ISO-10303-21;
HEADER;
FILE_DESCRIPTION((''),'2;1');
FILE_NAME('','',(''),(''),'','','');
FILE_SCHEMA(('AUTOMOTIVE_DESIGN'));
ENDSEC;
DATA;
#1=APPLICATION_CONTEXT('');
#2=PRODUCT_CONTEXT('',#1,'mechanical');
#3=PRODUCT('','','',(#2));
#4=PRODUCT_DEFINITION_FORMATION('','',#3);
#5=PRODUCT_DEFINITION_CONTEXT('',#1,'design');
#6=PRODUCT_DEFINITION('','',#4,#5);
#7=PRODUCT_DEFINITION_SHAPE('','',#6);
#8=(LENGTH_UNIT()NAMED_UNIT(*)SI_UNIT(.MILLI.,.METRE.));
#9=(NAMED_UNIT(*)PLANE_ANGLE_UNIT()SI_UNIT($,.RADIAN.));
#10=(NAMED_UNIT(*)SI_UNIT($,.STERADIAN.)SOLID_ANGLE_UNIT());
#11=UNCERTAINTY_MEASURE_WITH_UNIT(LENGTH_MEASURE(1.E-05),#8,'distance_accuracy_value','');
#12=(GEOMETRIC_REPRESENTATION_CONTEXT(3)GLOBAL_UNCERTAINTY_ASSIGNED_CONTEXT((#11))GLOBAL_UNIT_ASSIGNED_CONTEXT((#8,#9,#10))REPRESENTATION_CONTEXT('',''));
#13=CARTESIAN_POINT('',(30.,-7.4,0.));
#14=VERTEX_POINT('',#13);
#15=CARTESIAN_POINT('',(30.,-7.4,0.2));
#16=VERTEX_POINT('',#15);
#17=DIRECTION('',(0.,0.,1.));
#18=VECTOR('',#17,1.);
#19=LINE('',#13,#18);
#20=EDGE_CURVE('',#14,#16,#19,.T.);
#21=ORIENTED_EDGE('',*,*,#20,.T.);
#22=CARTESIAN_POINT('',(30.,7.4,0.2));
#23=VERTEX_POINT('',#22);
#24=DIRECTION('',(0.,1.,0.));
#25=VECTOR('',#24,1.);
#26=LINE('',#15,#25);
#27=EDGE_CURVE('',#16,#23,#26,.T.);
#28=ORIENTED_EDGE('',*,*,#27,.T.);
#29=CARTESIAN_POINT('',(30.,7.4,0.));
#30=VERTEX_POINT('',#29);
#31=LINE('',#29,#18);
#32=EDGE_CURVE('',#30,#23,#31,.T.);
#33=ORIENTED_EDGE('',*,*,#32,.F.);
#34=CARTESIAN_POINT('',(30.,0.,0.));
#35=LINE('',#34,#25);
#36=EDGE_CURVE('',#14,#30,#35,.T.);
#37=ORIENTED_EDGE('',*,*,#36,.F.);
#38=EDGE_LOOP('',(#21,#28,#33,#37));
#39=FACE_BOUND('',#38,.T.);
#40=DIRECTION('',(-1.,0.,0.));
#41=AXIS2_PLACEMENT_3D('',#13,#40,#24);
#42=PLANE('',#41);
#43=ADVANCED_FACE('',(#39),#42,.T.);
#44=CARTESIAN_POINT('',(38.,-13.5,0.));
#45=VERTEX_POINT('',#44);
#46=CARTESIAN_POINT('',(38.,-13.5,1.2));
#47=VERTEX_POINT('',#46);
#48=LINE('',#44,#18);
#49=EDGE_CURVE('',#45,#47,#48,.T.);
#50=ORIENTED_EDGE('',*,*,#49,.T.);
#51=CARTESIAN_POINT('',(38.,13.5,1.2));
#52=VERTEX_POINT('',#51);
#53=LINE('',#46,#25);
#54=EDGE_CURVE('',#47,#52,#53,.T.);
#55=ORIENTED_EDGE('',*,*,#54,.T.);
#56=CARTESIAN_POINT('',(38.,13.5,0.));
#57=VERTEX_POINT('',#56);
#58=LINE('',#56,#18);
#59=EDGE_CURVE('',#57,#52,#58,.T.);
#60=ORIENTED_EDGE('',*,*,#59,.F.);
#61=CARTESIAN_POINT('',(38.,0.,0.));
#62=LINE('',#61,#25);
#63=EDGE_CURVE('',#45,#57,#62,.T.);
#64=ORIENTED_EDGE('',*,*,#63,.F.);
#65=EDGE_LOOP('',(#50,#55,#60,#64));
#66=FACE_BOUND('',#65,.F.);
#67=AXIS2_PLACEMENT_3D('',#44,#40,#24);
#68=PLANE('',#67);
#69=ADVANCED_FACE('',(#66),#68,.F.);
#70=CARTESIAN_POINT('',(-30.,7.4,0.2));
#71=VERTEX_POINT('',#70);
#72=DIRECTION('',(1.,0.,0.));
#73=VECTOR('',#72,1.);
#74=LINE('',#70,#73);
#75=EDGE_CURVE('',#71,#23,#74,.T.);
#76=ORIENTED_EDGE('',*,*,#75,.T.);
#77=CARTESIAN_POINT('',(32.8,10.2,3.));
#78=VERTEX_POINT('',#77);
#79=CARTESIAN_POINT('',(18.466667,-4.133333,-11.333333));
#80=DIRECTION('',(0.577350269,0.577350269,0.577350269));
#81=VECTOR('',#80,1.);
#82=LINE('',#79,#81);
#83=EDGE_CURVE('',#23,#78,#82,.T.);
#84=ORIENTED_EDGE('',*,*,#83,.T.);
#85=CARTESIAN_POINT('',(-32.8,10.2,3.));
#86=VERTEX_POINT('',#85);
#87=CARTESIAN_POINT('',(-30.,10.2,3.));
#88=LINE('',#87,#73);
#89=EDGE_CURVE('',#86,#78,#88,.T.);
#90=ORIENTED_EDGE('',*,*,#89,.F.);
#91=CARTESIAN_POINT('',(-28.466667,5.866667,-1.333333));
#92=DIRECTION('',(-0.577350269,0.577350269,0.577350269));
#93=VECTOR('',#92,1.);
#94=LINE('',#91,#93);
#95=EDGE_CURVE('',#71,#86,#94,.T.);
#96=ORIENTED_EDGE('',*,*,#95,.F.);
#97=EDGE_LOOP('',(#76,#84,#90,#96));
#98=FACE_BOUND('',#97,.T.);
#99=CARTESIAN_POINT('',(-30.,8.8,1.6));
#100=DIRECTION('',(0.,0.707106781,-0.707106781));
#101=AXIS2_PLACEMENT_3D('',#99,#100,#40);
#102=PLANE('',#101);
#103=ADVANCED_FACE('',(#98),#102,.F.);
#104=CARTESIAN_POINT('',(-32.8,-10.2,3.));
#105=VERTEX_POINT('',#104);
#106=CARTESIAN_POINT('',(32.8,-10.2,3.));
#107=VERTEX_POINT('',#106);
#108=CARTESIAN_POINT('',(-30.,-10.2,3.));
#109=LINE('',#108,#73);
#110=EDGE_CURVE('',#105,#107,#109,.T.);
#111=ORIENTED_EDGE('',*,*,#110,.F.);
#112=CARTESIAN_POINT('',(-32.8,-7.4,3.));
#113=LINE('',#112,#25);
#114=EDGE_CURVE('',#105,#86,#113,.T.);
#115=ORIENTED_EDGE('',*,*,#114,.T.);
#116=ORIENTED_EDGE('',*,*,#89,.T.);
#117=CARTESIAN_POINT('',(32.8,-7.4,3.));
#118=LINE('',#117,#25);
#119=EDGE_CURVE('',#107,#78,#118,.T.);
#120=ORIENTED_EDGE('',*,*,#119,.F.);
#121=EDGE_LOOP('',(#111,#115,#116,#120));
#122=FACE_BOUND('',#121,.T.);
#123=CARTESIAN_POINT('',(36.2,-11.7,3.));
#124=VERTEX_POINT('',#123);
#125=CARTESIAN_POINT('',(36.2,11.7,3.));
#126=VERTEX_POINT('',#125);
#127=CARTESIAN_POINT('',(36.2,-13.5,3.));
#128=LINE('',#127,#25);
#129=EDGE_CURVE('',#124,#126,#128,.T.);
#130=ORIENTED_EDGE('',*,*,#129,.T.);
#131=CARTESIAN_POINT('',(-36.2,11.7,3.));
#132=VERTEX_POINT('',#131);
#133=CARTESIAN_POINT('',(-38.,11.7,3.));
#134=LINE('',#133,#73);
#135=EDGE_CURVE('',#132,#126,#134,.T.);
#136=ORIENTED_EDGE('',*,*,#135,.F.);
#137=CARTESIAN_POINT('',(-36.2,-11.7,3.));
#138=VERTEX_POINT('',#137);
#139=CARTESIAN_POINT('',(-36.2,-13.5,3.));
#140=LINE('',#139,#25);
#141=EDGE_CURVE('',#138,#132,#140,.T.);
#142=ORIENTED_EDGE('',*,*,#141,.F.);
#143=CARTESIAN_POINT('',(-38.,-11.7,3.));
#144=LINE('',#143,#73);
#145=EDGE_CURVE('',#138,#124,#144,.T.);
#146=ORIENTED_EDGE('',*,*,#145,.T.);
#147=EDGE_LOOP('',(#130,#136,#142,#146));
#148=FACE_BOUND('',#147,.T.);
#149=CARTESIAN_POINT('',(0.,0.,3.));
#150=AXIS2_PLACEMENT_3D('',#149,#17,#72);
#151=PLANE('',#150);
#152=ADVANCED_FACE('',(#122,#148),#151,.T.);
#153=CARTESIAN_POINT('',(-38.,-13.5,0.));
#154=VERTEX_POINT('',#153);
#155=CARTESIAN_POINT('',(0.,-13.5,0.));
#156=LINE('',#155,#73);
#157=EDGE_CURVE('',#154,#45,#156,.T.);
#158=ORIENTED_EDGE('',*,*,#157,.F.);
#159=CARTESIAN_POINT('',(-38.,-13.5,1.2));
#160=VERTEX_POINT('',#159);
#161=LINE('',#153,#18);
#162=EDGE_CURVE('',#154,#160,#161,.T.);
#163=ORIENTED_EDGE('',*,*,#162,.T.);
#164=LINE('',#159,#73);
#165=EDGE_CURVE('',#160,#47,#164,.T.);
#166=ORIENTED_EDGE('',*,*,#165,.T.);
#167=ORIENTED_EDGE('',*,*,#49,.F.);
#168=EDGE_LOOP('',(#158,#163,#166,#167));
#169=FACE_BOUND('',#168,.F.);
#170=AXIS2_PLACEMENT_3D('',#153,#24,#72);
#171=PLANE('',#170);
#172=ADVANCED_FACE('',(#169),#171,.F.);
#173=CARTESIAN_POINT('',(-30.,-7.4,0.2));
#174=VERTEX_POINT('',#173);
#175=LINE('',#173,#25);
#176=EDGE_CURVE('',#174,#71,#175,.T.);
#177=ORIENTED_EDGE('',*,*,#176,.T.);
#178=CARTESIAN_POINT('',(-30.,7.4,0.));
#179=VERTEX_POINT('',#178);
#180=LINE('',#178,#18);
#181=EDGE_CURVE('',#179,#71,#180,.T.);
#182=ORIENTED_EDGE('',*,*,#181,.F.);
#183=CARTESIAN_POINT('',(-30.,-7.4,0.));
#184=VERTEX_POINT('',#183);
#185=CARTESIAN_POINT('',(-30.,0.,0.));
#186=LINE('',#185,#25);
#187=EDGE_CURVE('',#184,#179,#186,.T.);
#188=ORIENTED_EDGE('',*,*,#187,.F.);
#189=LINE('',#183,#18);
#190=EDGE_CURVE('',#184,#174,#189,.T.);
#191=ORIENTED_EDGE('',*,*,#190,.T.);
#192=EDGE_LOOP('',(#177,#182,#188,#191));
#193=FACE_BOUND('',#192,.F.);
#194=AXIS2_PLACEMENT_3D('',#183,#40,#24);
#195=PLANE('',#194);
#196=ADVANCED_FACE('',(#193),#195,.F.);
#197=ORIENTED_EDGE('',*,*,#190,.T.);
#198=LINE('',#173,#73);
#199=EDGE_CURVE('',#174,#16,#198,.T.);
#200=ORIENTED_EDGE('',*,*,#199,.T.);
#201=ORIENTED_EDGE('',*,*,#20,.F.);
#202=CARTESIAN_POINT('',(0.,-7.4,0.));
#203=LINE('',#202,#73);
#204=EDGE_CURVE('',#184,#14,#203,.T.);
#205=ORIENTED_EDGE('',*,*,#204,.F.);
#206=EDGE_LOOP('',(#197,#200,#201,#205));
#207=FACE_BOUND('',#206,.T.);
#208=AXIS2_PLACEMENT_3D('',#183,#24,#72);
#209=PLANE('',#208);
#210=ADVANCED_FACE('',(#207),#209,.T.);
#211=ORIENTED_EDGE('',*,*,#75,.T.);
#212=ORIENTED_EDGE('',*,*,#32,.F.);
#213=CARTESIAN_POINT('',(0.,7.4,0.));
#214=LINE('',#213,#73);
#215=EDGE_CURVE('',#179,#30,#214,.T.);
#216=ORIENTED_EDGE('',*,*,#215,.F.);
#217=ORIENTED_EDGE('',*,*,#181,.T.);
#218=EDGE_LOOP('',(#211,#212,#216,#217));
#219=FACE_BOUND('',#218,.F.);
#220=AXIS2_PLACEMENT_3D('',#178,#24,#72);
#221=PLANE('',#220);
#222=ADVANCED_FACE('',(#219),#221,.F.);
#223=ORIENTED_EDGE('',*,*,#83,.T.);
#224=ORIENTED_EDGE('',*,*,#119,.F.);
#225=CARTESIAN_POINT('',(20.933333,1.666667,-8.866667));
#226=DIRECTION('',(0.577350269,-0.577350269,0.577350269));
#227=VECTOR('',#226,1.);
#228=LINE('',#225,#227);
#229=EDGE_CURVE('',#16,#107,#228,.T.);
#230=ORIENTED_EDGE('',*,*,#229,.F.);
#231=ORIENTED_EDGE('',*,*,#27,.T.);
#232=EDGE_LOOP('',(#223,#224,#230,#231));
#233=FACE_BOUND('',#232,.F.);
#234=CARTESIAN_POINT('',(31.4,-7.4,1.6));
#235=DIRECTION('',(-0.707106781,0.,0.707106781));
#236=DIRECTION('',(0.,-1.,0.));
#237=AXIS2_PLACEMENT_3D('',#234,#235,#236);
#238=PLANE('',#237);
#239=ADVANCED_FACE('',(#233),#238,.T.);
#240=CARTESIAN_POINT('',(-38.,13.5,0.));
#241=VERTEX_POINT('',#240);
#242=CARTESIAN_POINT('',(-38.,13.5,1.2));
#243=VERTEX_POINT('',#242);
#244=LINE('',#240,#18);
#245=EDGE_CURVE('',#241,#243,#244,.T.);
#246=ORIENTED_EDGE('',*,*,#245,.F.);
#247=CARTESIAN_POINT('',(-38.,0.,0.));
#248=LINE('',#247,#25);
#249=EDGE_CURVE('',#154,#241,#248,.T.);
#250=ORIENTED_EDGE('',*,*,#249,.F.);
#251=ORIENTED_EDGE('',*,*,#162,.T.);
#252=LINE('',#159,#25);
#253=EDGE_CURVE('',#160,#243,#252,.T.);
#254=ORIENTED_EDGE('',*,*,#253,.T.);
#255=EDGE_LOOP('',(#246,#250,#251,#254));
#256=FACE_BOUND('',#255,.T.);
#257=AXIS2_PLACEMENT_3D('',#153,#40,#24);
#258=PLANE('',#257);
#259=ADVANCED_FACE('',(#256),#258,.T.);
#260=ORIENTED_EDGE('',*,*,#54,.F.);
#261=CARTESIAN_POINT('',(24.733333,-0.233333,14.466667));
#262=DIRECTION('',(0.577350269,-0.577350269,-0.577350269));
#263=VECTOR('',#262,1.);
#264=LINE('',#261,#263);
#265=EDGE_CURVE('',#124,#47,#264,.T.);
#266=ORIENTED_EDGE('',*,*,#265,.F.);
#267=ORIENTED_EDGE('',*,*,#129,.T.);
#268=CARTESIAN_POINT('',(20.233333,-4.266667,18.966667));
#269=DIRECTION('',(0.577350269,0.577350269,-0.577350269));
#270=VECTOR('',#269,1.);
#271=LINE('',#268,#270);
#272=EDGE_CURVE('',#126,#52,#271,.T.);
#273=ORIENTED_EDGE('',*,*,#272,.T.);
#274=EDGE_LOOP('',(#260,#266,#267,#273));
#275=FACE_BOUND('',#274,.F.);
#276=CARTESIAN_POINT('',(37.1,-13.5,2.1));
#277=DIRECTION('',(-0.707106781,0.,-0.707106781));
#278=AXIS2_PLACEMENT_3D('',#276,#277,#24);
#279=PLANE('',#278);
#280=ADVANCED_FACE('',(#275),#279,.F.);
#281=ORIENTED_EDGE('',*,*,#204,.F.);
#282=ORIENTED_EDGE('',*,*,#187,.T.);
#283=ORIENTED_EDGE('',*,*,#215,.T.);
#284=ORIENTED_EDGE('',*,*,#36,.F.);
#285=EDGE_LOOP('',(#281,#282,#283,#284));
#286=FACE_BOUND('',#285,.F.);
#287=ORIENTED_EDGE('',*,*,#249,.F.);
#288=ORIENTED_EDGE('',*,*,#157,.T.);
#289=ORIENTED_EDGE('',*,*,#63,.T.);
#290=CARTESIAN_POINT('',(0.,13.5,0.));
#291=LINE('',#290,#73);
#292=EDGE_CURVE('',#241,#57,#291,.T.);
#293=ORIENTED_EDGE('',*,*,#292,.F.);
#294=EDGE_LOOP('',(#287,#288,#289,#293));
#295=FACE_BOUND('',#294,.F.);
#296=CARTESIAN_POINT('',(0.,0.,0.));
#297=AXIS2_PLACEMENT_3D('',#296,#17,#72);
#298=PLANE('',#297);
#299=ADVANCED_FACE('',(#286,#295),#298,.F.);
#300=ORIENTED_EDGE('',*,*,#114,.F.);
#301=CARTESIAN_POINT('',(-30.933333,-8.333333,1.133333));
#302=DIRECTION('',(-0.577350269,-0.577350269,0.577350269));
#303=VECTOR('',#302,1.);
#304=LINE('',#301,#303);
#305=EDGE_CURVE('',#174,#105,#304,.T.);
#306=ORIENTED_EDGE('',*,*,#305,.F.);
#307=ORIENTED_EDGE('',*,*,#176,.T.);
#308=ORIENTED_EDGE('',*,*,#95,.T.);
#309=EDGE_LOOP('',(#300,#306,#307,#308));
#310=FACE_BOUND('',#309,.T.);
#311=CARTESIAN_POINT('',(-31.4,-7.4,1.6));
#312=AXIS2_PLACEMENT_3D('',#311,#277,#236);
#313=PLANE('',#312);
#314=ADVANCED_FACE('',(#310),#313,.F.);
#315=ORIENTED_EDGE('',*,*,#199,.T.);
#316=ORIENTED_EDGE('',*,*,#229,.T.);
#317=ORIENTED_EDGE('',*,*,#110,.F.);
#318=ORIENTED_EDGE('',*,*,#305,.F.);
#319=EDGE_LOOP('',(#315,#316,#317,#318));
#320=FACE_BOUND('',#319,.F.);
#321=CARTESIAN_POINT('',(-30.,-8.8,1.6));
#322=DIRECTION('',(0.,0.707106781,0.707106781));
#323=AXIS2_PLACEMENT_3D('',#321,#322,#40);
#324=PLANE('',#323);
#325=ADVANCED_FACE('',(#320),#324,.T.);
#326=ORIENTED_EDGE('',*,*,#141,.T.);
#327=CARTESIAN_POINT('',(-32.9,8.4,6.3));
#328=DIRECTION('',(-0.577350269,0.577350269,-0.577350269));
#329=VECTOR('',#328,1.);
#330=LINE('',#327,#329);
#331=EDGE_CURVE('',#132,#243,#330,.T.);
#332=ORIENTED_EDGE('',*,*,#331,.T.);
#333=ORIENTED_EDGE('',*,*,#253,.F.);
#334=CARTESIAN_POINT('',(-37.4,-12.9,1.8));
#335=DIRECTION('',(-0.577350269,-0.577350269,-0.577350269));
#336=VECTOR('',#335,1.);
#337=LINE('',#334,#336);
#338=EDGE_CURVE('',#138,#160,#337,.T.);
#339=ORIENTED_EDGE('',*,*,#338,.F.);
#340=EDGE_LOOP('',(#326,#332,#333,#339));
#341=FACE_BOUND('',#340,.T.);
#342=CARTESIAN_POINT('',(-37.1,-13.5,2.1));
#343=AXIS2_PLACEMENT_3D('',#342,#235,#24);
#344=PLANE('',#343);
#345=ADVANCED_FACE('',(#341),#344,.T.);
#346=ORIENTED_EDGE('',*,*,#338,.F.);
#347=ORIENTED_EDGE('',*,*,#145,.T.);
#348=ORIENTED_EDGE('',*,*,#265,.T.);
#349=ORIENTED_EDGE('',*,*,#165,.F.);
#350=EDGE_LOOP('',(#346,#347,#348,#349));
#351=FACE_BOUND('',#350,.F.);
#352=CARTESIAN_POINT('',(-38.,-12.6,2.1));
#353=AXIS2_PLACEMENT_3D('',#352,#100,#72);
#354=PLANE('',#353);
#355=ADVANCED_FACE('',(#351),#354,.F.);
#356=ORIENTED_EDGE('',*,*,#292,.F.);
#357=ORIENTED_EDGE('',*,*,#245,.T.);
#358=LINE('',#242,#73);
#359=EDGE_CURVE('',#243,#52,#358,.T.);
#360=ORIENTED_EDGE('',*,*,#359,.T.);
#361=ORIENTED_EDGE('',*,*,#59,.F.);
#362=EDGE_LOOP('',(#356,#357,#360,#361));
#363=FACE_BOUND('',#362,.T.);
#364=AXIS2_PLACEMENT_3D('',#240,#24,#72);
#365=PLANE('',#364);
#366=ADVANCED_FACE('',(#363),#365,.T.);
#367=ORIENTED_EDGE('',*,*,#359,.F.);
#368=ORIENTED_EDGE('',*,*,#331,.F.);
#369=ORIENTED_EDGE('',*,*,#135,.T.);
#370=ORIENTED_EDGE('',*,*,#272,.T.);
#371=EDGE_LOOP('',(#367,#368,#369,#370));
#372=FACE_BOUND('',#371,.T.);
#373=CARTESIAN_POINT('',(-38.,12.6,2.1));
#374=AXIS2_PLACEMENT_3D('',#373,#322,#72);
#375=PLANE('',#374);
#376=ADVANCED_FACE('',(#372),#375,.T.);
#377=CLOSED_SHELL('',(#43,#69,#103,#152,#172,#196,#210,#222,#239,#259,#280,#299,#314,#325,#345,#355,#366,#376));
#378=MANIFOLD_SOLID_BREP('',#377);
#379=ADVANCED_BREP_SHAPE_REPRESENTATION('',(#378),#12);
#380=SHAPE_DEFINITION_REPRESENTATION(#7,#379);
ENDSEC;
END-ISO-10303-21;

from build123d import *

# Parameters (mm, degrees)
F0_W     = 76
F0_H     = 27
F0_W_2   = 60
F0_H_2   = 14.8
F1_DEPTH = 3
F2_SIZE  = 2.8
F3_SIZE  = 1.8


with BuildPart() as f1:
    # F0 (on Top) → F1 (new body)
    with BuildSketch(Plane.XY):
        Rectangle(F0_W, F0_H)
        Rectangle(F0_W_2, F0_H_2, mode=Mode.SUBTRACT)
    extrude(amount=F1_DEPTH)

    # F2
    f2_edges = [f1.edges().sort_by_distance(p)[0] for p in [
        (0, 7.4, 3),
        (30, 0, 3),
        (0, -7.4, 3),
        (-30, 0, 3),
    ]]
    chamfer(f2_edges, length=F2_SIZE)

    # F3
    f3_edges = [f1.edges().sort_by_distance(p)[0] for p in [
        (0, 13.5, 3),
        (-38, 0, 3),
        (0, -13.5, 3),
        (38, 0, 3),
    ]]
    chamfer(f3_edges, length=F3_SIZE)


solid = f1.part
